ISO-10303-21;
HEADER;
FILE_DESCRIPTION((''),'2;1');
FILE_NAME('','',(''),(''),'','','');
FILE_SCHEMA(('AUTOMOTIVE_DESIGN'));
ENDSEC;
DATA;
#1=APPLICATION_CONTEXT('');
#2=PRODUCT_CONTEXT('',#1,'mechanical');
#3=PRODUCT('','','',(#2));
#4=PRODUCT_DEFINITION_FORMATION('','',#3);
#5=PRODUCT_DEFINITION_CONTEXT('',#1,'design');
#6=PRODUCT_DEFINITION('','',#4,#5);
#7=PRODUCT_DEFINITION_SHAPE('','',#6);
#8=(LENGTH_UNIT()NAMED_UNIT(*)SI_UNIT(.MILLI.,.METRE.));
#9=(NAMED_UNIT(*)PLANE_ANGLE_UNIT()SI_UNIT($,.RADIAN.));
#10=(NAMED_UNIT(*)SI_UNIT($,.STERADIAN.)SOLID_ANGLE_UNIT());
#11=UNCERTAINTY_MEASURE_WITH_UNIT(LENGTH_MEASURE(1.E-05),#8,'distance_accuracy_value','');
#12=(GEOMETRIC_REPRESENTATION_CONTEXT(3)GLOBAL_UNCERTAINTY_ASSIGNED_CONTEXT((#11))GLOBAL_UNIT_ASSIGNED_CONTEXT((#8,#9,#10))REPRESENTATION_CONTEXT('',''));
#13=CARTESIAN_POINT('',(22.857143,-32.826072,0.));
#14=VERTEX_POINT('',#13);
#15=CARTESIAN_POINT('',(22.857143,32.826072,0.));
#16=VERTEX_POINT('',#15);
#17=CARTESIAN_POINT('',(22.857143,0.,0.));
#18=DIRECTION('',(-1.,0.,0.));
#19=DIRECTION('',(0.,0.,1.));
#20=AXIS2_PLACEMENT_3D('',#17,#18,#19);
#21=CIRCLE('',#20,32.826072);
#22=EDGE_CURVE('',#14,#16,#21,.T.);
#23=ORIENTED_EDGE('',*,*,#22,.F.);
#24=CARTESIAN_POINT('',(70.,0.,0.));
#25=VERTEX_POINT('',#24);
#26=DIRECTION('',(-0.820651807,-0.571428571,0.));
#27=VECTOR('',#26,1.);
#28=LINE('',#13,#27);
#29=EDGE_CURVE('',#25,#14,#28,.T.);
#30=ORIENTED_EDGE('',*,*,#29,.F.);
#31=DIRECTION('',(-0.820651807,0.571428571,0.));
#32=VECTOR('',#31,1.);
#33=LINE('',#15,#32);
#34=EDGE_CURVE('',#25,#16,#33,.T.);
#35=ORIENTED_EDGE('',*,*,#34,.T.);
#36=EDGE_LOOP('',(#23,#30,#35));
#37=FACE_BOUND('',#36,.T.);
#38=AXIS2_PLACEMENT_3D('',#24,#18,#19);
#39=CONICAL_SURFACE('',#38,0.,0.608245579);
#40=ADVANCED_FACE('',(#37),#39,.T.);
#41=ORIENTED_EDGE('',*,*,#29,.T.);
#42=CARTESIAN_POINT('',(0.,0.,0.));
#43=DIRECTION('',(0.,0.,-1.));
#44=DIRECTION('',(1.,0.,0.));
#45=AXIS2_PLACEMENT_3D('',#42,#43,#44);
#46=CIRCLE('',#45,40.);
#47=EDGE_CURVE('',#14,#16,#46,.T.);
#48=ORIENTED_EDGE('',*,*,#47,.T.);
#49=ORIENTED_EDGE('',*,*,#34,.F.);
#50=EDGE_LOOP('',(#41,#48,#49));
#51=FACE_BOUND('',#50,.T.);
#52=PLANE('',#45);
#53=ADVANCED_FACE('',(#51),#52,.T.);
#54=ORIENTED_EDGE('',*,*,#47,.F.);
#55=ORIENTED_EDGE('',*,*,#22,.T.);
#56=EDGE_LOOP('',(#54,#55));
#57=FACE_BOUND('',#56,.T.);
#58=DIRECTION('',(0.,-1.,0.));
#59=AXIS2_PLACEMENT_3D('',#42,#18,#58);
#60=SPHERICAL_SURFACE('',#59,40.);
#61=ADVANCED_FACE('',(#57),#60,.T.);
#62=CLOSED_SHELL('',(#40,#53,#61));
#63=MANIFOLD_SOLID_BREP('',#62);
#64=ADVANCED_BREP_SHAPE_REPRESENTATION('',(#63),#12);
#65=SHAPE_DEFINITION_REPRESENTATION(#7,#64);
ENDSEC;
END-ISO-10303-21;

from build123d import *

# Parameters (mm, degrees)
REVOLVE_6_ANGLE = 180


with BuildPart() as part:
    # 草图1 → 旋转6 (revolve)
    with BuildSketch(Plane.XY):
        with BuildLine():
            Line((-40, 0), (70, 0))
            Line((70, 0), (22.857142857, 32.826072266))
            ThreePointArc((22.857142857, 32.826072266), (-18.516401995, 35.456210417), (-40, 0))
        make_face()
    revolve(axis=Axis((0, 0, 0), (1, 0, 0)), revolution_arc=REVOLVE_6_ANGLE)


solid = part.part
